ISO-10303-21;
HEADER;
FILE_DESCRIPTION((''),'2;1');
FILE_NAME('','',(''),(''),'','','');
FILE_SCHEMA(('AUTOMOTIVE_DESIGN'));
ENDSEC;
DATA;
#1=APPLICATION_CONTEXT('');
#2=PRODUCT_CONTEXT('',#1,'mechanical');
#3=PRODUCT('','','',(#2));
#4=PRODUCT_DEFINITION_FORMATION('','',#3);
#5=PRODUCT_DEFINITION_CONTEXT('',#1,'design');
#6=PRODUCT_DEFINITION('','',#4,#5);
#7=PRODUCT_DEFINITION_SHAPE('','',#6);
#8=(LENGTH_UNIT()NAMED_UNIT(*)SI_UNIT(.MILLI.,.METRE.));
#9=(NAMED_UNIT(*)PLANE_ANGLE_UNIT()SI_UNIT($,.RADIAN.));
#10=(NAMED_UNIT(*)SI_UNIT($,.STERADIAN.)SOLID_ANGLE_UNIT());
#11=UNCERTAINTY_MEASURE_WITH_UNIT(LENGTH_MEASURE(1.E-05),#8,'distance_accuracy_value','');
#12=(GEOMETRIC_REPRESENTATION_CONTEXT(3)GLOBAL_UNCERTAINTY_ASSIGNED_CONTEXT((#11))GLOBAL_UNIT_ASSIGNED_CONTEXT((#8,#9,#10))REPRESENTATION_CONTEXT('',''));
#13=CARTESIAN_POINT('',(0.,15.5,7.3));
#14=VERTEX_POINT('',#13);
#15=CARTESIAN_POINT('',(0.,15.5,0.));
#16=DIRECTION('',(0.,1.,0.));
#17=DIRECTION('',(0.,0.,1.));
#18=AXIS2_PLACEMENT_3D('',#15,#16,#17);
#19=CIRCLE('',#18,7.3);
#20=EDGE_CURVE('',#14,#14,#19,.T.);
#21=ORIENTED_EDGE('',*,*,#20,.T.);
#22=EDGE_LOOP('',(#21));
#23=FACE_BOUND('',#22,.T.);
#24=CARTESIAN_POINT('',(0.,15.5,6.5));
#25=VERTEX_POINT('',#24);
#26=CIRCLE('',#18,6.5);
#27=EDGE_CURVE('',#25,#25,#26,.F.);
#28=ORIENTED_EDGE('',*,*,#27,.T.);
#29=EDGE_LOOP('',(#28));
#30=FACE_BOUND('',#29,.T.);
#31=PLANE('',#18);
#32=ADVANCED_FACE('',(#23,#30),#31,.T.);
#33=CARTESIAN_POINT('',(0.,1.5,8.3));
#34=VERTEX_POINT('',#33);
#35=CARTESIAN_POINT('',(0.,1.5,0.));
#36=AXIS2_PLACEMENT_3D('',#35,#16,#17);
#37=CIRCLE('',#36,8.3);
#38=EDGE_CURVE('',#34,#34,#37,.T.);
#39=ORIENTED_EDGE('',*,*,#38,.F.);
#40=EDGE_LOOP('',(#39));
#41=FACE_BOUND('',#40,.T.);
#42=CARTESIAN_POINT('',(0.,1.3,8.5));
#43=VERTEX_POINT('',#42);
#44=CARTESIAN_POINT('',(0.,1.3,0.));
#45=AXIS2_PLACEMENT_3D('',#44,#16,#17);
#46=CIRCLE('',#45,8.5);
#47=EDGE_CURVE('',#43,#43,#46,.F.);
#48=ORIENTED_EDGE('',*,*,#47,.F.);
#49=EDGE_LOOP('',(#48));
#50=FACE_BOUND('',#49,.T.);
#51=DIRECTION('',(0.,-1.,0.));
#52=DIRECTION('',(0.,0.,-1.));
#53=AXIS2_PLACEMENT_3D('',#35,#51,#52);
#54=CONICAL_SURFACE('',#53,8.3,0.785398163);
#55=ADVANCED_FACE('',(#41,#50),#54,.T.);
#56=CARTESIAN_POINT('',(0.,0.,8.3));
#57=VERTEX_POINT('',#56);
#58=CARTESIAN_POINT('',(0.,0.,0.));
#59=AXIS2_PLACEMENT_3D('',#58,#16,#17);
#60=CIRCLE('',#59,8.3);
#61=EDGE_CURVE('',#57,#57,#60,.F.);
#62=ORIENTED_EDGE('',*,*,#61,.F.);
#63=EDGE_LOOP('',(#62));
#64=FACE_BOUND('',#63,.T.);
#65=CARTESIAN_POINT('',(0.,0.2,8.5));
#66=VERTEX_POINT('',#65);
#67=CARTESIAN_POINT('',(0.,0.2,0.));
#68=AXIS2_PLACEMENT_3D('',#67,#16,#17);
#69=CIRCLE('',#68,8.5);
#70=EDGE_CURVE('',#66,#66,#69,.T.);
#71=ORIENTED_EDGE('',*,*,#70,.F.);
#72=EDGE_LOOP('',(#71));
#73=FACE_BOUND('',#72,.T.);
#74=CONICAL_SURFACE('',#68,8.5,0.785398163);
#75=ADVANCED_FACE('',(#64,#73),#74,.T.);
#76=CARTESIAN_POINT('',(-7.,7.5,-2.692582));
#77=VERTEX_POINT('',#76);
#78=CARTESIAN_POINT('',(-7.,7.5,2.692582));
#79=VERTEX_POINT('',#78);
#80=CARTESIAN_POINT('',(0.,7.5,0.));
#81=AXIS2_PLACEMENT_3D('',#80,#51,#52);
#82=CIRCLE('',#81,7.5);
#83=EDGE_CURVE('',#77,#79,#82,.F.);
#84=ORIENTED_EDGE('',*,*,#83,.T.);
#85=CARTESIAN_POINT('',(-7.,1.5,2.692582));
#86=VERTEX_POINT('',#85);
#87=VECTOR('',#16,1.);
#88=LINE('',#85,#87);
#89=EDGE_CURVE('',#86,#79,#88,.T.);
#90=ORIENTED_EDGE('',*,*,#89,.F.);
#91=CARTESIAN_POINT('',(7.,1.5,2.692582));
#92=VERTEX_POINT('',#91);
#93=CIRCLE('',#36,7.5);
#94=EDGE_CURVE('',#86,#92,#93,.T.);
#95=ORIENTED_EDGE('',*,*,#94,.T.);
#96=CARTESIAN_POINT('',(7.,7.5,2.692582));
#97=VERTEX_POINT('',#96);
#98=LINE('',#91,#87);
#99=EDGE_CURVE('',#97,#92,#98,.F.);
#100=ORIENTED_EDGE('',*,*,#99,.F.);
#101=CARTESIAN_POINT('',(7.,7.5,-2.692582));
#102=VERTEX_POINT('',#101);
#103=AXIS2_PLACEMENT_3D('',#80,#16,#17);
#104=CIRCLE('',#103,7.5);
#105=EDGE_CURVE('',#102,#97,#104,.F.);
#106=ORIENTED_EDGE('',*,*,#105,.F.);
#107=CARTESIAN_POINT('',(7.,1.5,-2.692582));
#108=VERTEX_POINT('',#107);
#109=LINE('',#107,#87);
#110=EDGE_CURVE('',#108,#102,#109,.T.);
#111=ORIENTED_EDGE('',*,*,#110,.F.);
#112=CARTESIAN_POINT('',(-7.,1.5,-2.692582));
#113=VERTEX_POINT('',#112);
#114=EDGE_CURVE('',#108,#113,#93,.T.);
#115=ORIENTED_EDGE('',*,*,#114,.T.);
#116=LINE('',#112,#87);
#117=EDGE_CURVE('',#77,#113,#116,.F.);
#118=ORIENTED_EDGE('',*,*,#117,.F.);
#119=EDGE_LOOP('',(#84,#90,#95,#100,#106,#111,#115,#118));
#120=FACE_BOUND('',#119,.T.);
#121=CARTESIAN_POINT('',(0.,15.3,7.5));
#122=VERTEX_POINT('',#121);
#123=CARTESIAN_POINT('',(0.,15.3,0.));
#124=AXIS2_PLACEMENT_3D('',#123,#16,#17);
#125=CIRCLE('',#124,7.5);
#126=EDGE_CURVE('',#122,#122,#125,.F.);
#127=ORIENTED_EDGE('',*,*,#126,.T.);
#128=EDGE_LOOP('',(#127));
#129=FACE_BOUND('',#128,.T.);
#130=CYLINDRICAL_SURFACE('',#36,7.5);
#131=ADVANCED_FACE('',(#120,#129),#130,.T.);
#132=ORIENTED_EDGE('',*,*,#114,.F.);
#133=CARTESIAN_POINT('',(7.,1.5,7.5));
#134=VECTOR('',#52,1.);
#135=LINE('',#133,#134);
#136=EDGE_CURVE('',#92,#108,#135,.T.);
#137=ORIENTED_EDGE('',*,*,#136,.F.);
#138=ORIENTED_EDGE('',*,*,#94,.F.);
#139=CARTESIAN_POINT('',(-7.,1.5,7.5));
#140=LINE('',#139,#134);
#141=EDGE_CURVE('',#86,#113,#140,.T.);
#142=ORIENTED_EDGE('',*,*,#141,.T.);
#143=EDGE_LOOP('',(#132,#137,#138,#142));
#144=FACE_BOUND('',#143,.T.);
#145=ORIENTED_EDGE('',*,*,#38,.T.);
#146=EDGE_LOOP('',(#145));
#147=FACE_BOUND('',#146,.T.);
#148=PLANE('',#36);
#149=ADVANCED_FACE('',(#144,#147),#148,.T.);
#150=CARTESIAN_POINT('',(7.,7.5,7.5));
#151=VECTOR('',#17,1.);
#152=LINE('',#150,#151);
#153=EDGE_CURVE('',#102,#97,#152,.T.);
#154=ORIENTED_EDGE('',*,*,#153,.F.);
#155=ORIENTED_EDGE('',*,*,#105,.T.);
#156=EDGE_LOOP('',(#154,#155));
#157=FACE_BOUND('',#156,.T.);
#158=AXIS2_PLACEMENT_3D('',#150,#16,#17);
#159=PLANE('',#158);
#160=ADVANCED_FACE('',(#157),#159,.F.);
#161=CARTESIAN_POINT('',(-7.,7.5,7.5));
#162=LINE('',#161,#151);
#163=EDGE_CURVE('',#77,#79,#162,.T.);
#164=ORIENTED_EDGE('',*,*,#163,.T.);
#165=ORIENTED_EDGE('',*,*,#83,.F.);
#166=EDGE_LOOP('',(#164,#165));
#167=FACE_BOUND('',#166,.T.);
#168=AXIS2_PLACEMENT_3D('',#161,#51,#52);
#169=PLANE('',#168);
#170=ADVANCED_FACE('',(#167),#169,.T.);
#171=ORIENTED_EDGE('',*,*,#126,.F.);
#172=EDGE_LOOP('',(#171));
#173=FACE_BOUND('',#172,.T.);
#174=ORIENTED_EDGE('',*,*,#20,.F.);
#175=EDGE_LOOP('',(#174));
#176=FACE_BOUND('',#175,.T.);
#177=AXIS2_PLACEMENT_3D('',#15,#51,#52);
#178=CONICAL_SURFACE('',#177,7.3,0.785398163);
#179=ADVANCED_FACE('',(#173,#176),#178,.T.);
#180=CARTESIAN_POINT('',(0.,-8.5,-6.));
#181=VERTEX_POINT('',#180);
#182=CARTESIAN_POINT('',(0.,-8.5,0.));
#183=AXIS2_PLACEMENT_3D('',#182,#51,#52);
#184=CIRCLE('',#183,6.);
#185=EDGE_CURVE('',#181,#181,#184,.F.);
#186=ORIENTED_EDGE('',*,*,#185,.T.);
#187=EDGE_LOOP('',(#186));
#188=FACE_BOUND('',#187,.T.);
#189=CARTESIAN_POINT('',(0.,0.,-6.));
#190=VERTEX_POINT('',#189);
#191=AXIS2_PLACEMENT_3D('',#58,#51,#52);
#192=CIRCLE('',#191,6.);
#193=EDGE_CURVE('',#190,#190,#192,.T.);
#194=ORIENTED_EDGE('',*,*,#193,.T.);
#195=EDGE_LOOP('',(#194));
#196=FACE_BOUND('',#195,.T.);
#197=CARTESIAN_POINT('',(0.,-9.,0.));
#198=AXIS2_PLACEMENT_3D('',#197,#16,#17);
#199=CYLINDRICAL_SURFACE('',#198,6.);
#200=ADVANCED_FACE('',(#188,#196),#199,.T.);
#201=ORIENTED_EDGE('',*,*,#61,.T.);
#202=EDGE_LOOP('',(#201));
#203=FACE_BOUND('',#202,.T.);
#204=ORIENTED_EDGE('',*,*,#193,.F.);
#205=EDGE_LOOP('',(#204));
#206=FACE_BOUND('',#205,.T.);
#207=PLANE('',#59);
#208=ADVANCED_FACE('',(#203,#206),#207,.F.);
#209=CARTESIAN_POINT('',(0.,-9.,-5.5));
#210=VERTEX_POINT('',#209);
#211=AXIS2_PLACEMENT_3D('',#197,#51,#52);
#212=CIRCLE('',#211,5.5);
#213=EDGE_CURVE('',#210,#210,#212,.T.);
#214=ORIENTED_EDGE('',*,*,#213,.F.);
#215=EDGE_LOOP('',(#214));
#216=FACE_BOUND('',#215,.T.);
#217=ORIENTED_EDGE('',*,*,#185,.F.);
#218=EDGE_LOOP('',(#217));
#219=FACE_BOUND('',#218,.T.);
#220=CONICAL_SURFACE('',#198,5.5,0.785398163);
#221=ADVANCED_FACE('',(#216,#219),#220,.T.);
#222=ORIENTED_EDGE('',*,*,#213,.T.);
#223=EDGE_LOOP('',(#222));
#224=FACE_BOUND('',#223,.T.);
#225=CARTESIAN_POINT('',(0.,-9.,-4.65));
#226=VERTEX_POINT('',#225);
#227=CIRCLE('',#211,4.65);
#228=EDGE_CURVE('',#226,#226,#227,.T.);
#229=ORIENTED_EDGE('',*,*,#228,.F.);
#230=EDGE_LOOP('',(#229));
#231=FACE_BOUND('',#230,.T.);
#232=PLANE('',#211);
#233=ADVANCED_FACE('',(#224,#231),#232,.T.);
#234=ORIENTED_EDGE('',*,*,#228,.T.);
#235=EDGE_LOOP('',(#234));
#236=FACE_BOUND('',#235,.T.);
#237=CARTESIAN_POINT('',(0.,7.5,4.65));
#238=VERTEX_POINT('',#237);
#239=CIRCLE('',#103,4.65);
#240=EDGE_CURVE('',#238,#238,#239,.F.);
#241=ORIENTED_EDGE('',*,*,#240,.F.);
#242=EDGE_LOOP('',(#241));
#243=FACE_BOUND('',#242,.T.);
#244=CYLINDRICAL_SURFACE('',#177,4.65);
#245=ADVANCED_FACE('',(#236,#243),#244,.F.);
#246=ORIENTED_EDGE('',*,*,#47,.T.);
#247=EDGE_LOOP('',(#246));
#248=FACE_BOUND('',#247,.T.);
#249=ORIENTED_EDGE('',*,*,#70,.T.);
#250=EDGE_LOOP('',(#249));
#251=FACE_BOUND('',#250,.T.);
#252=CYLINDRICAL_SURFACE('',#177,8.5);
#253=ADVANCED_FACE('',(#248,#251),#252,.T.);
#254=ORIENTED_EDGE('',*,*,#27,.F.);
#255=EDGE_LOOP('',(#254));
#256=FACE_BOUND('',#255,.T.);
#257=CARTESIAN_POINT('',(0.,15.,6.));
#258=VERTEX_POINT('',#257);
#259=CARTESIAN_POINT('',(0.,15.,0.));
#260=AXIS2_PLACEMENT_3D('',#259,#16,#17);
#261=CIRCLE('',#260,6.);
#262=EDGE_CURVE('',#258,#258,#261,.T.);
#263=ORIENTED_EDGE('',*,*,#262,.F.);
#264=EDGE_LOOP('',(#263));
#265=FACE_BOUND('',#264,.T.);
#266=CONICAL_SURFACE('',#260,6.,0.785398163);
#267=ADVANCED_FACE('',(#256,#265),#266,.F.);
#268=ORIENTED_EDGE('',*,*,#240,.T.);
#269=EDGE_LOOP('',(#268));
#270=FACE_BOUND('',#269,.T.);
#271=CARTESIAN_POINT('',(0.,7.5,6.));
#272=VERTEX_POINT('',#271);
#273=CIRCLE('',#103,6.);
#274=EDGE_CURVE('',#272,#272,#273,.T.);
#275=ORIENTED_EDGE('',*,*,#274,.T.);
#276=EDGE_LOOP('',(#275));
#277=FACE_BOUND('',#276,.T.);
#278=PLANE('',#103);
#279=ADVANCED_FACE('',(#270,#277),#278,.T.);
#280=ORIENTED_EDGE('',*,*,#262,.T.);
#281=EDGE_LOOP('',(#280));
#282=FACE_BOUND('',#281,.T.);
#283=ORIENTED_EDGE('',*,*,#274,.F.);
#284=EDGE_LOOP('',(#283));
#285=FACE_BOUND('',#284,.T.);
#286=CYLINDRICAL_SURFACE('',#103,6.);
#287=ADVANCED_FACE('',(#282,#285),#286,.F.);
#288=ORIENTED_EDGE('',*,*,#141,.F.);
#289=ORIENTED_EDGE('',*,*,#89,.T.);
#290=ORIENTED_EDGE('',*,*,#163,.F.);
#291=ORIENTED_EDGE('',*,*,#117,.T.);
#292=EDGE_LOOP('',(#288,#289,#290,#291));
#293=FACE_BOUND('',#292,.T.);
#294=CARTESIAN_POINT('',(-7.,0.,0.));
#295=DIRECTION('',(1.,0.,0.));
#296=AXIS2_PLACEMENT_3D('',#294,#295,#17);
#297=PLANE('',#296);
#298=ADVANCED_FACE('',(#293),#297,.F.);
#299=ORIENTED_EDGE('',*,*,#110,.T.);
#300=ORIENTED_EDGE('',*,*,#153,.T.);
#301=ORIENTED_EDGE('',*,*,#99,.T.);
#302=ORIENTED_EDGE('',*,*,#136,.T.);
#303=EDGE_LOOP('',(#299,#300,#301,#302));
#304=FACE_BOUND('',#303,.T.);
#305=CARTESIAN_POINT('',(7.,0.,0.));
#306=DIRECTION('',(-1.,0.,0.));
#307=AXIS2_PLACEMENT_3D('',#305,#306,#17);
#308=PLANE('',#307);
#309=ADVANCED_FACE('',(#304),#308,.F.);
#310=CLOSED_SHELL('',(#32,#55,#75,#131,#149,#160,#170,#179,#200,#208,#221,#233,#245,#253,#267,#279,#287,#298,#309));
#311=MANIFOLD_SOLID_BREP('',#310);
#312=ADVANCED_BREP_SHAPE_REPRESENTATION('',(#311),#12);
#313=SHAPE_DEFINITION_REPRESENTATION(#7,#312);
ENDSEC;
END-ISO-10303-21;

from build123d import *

# Parameters (mm, degrees)
SKIZZE1_R             = 8.5
GK_DEPTH              = 15.5
CUT_EXTRUDE_START     = -14
SKIZZE2_R             = 8.5
SKIZZE2_R_2           = 7.5
CUT_EXTRUDE_D15_DEPTH = 14
SKIZZE3_W             = 15
SKIZZE3_H             = 6
SW14_DEPTH            = 0.5
SKIZZE4_R             = 6
AU_ENGEWINDE_DEPTH    = 9
SKIZZE18_R            = 4.65
D9_3MM_DEPTH          = 28.290108098
SKIZZE19_R            = 6
KERNLOCH_D12_DEPTH    = 8
FASE_0_2MM_SIZE       = 0.2
FASE_0_5MM_SIZE       = 0.5


with BuildPart() as part:
    # Skizze1 → GK (new body)
    with BuildSketch(Plane(origin=(0, 0, 0), x_dir=(1, 0, 0), z_dir=(0, 1, 0))):
        with Locations(Location((0, 0, 0), (0, 0, 270))):
            Circle(SKIZZE1_R)
    extrude(amount=GK_DEPTH)

    # Skizze2 → D15 (cut)
    with BuildSketch(Plane(origin=(0, 15.5, 0), x_dir=(1, 0, 0), z_dir=(0, 1, 0)).offset(CUT_EXTRUDE_START)):
        with Locations(Location((0, 0, 0), (0, 0, 270))):
            Circle(SKIZZE2_R)
        with Locations(Location((0, 0, 0), (0, 0, 270))):
            Circle(SKIZZE2_R_2, mode=Mode.SUBTRACT)
    extrude(amount=CUT_EXTRUDE_D15_DEPTH, mode=Mode.SUBTRACT)

    # Skizze3 → SW14 (cut)
    with BuildSketch(Plane(origin=(7.5, 0, 0), x_dir=(0, 0, -1), z_dir=(1, 0, 0))):
        with Locations((0, 4.5)):
            Rectangle(SKIZZE3_W, SKIZZE3_H)
    sw14 = extrude(amount=-SW14_DEPTH, mode=Mode.SUBTRACT)

    # Spiegeln1: SW14 across plane
    add(sw14.mirror(Plane(origin=(0, 0, 0), x_dir=(0, 0, 1), z_dir=(1, 0, 0))), mode=Mode.SUBTRACT)

    # Skizze4 → Außengewinde (add)
    with BuildSketch(Plane.XZ):
        with Locations(Location((0, 0, 0), (0, 0, 270))):
            Circle(SKIZZE4_R)
    extrude(amount=AU_ENGEWINDE_DEPTH)

    # Skizze18 → D9,3mm (cut, through all)
    with BuildSketch(Plane.XZ.offset(9)):
        with Locations(Location((0, 0, 0), (0, 0, 270))):
            Circle(SKIZZE18_R)
    extrude(amount=-D9_3MM_DEPTH, mode=Mode.SUBTRACT)

    # Skizze19 → Kernloch D12 (cut)
    with BuildSketch(Plane(origin=(0, 15.5, 0), x_dir=(1, 0, 0), z_dir=(0, 1, 0))):
        with Locations(Location((0, 0, 0), (0, 0, 90))):
            Circle(SKIZZE19_R)
    extrude(amount=-KERNLOCH_D12_DEPTH, mode=Mode.SUBTRACT)

    # Fase 0,2mm
    fase_0_2mm_edges = [part.edges().sort_by_distance(p)[0] for p in [
        (0, 0, -8.5),
        (0, 1.5, -8.5),
        (0, 15.5, -7.5),
    ]]
    chamfer(fase_0_2mm_edges, length=FASE_0_2MM_SIZE)

    # Fase 0,5mm
    fase_0_5mm_edges = [part.edges().sort_by_distance(p)[0] for p in [
        (0, -9, 6),
        (0, 15.5, 6),
    ]]
    chamfer(fase_0_5mm_edges, length=FASE_0_5MM_SIZE)


solid = part.part
